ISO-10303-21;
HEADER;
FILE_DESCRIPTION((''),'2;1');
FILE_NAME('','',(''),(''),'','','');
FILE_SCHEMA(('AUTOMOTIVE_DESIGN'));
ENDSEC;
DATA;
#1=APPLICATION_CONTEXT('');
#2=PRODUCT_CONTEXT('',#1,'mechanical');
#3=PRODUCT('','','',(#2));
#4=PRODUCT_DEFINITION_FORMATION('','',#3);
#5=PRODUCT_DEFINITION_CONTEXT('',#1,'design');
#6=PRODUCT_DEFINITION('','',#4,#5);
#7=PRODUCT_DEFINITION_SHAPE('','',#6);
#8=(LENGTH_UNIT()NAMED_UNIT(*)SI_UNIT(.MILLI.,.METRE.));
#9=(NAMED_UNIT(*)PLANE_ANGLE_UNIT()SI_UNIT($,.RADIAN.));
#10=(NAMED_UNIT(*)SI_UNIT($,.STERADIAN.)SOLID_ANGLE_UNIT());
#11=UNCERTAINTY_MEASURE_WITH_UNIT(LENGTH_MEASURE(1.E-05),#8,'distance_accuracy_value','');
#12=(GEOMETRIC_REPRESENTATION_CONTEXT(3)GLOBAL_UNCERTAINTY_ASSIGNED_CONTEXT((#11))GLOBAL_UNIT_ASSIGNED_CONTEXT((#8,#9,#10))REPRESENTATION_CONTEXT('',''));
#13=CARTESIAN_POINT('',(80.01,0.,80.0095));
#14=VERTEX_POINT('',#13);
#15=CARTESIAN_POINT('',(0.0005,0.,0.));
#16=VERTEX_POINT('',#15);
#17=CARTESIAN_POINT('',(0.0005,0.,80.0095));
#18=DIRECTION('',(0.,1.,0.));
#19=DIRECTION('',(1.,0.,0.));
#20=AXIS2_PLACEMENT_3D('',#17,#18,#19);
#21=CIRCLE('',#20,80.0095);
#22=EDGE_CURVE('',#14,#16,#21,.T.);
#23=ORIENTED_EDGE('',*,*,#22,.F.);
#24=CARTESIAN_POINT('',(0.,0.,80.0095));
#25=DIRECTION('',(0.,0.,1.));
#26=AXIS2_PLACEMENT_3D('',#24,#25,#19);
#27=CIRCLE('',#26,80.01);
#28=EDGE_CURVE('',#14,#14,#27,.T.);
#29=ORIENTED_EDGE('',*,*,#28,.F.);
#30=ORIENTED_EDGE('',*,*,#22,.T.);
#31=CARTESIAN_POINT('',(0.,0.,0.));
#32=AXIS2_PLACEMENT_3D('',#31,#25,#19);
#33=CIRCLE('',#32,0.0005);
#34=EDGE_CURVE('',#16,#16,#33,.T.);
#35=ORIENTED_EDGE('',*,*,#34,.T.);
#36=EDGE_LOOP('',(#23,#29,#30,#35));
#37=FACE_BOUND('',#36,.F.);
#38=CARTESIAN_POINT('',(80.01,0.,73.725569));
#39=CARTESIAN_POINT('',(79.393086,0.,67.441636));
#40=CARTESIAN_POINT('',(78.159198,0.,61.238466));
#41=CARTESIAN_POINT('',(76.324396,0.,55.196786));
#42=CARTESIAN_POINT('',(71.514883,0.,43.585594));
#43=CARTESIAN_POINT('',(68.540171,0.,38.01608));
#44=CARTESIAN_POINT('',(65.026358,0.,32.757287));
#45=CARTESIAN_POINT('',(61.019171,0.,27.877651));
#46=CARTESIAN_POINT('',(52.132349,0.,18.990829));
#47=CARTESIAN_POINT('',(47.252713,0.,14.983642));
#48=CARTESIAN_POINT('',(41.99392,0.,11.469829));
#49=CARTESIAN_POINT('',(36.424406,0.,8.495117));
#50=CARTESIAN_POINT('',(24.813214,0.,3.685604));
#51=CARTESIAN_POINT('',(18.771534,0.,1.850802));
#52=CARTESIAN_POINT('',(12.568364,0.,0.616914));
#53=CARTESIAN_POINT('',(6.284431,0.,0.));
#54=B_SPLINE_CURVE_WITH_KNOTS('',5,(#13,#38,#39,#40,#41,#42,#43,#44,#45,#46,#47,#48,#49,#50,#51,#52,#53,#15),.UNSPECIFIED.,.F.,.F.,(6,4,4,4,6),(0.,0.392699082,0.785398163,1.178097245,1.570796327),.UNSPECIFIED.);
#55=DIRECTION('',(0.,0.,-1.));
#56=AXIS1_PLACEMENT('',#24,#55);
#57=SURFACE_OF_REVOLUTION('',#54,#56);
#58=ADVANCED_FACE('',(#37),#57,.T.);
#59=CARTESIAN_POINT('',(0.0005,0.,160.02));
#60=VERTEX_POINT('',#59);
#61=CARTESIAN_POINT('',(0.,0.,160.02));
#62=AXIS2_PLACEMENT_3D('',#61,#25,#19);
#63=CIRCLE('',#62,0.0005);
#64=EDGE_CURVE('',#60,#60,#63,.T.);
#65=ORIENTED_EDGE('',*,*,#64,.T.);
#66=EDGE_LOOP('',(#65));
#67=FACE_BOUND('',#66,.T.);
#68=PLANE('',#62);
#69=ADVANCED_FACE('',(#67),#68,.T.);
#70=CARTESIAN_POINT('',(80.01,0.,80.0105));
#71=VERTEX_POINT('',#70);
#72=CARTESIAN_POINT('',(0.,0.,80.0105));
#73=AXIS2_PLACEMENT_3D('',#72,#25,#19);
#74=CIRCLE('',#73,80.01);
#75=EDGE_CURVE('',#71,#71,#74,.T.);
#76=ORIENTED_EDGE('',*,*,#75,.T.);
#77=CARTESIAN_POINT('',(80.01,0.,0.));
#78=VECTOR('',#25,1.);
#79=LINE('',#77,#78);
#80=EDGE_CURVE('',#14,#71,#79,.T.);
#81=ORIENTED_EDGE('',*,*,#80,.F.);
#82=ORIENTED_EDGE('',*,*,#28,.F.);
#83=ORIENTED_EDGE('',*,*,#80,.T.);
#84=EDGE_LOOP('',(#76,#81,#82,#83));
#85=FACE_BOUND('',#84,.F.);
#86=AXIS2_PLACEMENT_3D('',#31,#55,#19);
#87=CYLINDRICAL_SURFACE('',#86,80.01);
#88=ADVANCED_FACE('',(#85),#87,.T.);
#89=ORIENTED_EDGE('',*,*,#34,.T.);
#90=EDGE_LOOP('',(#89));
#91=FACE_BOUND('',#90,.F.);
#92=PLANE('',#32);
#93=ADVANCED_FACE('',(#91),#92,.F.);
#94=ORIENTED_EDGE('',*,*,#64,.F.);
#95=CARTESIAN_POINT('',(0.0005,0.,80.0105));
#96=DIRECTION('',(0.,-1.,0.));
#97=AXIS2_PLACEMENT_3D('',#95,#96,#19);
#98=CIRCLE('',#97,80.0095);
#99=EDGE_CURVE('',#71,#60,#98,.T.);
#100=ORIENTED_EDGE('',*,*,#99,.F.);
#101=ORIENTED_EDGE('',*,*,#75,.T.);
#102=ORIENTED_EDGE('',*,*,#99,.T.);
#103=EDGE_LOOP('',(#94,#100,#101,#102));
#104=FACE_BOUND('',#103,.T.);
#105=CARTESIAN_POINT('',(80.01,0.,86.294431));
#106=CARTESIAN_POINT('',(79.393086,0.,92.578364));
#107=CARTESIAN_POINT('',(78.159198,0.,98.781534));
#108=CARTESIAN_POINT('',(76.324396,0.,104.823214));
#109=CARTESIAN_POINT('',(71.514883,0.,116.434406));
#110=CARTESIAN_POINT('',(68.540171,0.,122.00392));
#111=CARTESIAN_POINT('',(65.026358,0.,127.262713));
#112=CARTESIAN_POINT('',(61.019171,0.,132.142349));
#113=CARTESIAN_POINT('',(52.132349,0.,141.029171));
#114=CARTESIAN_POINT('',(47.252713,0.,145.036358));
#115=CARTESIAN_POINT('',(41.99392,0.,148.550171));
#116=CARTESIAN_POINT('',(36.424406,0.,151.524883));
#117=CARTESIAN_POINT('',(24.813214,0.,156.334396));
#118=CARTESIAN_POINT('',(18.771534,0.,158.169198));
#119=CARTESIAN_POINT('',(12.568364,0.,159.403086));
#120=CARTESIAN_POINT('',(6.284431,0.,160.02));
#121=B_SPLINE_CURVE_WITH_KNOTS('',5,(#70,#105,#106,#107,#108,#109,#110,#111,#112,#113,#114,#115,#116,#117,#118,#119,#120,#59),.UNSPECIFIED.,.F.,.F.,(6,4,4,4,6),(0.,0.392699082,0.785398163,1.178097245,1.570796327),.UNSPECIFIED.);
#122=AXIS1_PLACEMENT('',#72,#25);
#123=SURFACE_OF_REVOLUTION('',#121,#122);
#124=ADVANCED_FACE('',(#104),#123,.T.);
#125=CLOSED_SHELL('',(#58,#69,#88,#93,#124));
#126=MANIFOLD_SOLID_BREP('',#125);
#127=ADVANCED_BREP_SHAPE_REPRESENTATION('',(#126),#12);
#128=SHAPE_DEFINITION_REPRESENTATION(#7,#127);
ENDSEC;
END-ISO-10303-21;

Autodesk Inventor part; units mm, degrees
ref_plane "YZ Plane" through (0, 0, 0) normal (1, 0, 0) x (0, 1, 0)
ref_plane "XZ Plane" through (0, 0, 0) normal (0, 1, 0) x (-1, 0, 0)
ref_plane "XY Plane" through (0, 0, 0) normal (0, 0, 1) x (1, 0, 0)
sketch "Sketch1" plane through (0, 0, 0) normal (0, 0, 1) x (1, 0, 0)
  circle A0 centre (0, 0) radius 80.01
  dimension "d0" = 160.02
extrude "Extrusion1" add sketch "Sketch1" along normal blind 160.02
fillet "Fillet1" radius 80.01 2 edges at (-80.01, 0, 0) (-80.01, 0, 160.02)
properties part number "dodge ball"
